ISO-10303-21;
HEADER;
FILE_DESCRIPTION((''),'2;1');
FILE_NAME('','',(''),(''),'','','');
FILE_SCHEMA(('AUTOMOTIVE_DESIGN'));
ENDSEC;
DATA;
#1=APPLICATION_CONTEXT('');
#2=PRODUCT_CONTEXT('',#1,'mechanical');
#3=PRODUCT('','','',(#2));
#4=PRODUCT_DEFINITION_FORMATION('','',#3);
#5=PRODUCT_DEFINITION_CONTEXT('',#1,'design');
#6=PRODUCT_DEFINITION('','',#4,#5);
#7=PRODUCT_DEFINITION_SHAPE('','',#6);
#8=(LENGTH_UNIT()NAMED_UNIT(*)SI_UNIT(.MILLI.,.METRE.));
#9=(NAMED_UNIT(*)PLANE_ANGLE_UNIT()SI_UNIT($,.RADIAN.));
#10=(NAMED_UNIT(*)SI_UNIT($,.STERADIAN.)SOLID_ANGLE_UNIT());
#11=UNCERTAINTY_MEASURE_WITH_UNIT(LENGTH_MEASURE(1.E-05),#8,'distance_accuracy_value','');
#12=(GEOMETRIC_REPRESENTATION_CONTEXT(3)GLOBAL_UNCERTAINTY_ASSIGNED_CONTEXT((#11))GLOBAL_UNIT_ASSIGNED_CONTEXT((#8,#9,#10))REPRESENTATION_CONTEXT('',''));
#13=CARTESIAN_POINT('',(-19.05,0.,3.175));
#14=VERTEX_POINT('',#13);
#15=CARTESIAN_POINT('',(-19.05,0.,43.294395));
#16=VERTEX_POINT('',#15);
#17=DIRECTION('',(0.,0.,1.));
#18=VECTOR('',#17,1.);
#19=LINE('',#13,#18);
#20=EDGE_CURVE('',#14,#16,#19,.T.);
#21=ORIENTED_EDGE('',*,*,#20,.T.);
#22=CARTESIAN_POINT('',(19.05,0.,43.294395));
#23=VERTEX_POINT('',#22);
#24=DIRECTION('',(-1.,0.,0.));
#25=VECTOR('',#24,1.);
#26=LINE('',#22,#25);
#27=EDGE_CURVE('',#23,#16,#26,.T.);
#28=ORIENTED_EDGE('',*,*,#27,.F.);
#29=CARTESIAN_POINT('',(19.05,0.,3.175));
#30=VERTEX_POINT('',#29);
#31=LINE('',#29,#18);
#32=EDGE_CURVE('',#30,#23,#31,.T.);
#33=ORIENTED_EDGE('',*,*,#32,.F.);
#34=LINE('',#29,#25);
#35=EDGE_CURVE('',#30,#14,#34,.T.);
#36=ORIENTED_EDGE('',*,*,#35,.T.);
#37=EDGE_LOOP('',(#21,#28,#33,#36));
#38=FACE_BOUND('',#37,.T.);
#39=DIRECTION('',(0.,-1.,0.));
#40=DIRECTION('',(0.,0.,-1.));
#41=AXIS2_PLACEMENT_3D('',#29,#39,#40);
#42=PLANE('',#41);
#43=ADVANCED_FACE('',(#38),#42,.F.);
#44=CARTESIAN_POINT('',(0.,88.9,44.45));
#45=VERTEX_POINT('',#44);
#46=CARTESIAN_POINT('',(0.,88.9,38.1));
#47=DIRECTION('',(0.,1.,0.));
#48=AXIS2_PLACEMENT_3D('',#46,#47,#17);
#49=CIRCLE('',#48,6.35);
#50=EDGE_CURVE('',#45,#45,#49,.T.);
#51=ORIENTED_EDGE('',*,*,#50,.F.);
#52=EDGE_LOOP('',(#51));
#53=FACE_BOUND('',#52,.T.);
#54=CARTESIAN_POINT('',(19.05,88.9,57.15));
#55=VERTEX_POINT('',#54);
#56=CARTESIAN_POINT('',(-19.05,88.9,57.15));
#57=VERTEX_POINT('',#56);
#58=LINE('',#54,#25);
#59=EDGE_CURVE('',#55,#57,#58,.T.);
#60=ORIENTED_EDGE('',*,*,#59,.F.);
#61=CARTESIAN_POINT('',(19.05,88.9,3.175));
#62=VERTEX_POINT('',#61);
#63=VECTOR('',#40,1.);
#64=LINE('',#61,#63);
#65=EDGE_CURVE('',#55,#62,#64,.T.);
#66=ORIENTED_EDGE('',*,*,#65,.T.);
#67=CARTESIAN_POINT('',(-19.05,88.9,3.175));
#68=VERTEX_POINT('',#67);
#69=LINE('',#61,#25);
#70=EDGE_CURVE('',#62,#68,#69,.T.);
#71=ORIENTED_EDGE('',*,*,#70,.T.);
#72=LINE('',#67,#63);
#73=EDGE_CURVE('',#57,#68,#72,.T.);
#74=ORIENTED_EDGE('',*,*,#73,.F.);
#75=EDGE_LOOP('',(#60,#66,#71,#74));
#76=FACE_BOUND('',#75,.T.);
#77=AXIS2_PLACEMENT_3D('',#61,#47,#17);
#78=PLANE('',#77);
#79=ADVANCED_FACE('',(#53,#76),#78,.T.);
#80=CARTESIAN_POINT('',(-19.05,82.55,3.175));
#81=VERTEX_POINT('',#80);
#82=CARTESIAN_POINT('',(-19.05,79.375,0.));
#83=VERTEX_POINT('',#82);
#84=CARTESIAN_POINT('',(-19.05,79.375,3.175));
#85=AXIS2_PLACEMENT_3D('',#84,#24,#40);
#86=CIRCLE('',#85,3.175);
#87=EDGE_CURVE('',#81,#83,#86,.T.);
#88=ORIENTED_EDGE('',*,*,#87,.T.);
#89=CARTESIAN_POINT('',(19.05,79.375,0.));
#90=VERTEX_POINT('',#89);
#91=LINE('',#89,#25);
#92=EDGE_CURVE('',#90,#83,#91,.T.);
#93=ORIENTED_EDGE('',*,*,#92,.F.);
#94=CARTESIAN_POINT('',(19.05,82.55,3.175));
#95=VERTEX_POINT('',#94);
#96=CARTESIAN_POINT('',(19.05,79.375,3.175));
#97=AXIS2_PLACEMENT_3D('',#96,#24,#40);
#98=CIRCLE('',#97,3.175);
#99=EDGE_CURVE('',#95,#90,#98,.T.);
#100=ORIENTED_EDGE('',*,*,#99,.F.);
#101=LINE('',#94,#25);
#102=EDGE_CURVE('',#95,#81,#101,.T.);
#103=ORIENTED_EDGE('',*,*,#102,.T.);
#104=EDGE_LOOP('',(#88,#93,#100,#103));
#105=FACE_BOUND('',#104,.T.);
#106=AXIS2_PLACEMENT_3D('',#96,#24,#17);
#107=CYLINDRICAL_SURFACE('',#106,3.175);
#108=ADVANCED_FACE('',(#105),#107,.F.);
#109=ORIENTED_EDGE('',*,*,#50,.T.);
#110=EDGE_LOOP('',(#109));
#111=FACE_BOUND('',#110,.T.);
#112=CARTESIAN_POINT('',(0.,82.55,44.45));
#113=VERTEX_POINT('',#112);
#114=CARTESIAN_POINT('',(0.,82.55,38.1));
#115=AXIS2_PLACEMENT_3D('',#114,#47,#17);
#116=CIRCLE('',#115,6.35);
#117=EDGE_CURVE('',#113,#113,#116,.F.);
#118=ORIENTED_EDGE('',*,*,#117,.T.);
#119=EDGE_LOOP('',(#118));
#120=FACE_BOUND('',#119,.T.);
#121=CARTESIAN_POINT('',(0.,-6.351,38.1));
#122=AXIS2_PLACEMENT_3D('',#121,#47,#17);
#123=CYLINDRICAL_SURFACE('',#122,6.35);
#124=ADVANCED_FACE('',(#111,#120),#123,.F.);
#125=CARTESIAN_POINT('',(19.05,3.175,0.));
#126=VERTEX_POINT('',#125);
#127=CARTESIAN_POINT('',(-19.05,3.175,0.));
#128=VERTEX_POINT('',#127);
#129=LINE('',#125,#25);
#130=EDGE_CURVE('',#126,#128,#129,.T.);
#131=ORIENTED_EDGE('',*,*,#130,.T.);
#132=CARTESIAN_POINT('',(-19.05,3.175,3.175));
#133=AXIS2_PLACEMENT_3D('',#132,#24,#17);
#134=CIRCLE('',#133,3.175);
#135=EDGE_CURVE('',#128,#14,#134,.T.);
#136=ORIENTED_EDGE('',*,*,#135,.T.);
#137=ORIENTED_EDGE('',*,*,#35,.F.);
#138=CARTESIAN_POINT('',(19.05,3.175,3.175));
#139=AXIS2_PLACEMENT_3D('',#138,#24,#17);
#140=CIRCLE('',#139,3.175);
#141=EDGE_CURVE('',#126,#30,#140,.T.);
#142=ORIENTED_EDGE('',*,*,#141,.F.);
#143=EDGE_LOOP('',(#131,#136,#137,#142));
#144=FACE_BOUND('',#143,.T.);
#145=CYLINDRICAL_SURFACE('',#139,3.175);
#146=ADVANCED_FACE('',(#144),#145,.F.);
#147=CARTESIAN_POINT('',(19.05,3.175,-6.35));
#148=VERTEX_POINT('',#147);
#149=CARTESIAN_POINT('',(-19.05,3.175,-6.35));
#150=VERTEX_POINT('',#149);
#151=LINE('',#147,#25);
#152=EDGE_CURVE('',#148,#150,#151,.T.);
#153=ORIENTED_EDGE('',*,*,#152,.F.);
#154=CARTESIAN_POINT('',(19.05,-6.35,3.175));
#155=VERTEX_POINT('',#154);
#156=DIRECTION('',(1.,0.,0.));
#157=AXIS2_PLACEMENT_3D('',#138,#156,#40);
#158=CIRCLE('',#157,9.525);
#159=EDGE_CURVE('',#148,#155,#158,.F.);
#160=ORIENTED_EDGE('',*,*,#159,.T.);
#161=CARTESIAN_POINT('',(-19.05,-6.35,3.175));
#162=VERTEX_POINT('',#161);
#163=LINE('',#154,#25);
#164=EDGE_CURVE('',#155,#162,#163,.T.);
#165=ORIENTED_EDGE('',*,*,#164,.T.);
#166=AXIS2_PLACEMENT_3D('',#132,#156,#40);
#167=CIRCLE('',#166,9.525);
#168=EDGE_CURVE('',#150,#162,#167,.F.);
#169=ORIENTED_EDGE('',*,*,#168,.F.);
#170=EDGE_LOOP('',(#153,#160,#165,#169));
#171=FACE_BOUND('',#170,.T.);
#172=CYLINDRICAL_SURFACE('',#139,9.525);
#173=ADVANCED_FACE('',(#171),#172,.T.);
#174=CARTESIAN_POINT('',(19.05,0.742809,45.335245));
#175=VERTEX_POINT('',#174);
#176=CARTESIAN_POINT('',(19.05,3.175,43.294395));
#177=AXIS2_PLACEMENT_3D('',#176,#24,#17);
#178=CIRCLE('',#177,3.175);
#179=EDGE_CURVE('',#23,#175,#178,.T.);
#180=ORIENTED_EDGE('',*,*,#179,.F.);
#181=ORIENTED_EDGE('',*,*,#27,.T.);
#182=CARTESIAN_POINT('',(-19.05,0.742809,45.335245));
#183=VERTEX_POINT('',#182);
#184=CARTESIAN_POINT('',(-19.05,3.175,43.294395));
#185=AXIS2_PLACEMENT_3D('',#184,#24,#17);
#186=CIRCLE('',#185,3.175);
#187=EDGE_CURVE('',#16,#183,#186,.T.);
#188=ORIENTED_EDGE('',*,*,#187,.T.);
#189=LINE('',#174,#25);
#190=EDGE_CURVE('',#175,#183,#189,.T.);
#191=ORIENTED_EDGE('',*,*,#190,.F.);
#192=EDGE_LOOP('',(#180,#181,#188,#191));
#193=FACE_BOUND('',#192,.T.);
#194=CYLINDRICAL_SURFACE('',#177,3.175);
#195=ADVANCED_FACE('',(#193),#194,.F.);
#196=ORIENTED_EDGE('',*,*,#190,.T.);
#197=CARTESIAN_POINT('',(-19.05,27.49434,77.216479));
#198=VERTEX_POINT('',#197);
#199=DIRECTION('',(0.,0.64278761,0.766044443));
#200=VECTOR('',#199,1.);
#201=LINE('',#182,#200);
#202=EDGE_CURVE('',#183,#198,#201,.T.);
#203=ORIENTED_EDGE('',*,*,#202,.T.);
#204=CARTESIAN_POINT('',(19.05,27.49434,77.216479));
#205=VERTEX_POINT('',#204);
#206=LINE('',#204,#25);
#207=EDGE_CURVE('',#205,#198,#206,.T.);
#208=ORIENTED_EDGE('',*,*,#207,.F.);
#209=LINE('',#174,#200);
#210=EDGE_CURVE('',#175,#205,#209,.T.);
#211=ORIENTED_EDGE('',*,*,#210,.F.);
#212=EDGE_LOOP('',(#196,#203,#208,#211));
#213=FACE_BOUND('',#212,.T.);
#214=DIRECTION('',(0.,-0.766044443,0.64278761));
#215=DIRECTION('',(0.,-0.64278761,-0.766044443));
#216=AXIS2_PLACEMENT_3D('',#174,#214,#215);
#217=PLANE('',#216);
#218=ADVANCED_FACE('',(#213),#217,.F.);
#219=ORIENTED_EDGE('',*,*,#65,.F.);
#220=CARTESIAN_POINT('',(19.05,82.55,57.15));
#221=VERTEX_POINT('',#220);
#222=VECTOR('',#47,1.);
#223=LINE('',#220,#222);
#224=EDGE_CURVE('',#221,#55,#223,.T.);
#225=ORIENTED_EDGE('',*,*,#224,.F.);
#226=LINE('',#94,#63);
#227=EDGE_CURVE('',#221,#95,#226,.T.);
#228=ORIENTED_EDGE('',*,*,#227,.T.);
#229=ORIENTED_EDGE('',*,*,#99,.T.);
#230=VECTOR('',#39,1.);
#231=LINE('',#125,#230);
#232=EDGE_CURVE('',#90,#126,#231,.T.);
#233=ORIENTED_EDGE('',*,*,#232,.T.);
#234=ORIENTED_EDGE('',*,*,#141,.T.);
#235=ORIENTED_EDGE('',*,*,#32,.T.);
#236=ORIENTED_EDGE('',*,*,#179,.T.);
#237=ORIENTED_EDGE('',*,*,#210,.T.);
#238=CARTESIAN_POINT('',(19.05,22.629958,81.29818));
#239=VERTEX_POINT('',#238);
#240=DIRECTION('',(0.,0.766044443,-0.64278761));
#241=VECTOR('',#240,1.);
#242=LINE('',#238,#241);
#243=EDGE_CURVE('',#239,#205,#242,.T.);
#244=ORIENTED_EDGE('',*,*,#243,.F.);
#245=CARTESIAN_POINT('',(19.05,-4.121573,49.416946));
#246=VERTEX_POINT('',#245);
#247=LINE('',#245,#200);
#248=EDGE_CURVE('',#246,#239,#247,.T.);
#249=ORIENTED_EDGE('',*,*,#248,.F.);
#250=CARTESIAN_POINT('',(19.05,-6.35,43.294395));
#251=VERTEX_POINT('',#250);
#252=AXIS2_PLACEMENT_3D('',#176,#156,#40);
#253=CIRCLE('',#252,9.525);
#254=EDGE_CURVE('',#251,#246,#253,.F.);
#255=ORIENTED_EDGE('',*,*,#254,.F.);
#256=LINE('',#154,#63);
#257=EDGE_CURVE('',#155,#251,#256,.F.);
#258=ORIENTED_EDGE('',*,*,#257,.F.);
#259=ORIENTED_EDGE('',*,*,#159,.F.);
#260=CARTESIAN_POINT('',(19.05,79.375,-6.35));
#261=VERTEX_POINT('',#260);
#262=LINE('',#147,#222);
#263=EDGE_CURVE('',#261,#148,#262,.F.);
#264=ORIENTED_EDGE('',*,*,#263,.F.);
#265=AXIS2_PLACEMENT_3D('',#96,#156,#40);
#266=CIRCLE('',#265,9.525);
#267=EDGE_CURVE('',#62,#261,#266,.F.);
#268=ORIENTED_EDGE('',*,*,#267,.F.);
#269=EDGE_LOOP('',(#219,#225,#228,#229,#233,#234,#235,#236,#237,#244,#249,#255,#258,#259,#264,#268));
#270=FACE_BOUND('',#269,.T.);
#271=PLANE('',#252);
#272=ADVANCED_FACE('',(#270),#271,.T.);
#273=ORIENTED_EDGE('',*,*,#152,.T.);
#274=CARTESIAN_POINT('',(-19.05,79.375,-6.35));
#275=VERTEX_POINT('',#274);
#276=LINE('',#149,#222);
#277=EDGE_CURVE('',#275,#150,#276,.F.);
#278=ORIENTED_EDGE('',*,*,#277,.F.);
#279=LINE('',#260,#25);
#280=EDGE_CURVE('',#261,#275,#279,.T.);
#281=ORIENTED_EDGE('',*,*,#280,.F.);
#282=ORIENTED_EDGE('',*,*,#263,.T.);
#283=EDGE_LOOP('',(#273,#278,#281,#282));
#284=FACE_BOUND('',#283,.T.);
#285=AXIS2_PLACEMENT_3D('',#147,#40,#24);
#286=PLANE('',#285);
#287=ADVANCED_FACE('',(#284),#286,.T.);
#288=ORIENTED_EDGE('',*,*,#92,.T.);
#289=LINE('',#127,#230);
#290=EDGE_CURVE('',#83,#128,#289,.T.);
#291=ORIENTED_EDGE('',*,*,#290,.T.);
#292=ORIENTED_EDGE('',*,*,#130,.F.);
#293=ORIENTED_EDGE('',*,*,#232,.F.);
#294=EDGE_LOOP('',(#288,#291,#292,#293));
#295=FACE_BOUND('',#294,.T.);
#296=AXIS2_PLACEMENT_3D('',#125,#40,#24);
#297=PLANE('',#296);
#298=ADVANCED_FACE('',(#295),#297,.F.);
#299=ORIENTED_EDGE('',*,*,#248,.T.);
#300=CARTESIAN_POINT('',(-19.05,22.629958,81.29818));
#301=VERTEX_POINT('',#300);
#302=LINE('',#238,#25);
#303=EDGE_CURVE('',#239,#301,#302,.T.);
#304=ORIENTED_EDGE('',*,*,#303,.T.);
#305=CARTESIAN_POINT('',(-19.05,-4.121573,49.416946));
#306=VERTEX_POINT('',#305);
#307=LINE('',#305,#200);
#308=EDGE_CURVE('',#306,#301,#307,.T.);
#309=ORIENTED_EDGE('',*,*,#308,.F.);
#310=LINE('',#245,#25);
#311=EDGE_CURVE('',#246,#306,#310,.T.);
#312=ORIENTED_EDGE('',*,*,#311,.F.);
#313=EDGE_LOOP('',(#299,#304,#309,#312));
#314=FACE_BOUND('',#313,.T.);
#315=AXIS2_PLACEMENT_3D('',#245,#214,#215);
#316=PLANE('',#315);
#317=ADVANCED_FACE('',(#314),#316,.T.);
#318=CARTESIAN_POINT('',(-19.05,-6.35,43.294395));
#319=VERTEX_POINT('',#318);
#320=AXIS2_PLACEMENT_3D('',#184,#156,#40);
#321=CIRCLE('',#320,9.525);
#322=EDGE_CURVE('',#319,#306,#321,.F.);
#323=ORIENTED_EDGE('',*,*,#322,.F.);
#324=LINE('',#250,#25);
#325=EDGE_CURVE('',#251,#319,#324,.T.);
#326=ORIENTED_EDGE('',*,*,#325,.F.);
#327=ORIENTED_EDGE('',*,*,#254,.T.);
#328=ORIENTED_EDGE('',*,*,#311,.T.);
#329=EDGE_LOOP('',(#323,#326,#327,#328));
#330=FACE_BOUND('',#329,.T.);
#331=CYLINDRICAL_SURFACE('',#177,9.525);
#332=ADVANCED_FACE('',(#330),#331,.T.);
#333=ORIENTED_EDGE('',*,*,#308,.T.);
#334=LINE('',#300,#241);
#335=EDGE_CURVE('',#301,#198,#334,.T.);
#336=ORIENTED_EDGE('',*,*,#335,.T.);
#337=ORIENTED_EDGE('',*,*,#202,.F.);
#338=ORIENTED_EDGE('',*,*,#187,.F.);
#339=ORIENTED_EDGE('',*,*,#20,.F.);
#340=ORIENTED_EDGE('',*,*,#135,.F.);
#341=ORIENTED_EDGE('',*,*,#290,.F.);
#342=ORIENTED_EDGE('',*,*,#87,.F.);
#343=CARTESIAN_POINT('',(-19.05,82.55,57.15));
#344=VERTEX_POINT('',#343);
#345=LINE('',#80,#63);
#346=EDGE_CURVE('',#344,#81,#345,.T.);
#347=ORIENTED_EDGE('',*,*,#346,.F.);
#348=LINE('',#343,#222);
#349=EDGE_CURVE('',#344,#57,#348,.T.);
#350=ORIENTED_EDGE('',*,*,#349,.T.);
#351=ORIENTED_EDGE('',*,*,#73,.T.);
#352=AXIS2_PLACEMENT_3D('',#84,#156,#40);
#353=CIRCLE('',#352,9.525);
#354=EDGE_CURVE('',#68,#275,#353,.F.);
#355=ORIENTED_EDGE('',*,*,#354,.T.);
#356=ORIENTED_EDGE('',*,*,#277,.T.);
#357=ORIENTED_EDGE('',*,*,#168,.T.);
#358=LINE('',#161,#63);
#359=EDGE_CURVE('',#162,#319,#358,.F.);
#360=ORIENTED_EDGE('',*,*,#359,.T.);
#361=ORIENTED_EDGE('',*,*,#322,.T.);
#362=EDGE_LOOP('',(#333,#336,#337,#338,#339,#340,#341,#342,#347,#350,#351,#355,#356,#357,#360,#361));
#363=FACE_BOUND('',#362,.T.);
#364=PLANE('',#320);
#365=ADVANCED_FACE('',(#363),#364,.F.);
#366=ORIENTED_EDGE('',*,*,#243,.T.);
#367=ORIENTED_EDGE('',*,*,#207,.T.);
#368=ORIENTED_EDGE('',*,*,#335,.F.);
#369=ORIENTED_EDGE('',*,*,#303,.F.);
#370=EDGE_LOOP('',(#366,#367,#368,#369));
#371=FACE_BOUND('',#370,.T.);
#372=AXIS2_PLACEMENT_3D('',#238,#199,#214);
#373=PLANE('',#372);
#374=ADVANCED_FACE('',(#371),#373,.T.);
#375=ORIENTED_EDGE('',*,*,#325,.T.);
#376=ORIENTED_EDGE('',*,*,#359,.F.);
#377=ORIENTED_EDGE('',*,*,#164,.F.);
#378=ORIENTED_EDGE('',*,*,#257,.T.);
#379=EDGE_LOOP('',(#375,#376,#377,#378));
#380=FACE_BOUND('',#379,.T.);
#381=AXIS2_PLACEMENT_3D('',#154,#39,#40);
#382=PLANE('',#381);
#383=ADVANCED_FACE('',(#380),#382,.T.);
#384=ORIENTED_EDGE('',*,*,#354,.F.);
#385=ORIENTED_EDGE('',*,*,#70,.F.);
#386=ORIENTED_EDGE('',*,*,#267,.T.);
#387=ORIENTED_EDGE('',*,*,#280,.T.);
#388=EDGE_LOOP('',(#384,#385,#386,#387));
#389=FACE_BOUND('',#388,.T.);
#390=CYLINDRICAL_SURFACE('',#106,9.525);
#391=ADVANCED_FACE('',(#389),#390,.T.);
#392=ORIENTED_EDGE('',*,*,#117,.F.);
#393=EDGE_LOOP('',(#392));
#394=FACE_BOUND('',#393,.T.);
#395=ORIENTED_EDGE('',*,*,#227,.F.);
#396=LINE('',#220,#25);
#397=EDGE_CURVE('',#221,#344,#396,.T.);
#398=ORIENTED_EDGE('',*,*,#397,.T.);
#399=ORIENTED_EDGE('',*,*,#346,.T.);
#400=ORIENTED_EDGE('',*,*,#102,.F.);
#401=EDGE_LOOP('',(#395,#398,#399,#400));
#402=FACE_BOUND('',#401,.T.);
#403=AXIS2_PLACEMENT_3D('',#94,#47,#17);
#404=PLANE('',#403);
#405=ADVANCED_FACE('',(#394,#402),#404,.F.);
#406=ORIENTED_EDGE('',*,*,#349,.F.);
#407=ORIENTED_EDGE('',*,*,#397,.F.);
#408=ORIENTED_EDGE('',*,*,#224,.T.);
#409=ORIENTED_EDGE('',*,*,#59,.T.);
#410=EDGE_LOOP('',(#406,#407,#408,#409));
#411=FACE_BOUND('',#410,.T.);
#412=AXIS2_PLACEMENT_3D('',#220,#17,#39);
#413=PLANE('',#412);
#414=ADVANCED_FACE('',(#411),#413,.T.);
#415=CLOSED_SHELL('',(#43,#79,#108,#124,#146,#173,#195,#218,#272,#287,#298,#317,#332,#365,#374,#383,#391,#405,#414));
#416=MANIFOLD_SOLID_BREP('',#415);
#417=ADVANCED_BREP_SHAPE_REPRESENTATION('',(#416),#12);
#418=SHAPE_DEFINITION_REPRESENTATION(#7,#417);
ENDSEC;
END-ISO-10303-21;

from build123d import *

# Parameters (mm, degrees)
EXTRUDE_THIN1_DEPTH = 19.05
CUT_EXTRUDE1_REACH  = 97.25
SKETCH2_R           = 6.35


with BuildPart() as part:
    # Sketch1 → Extrude-Thin1 (new body, symmetric)
    with BuildSketch(Plane(origin=(0, 0, 0), x_dir=(0, 0, -1), z_dir=(1, 0, 0))):
        with BuildLine():
            Line((-77.216478592, 27.494340102), (-45.335245167, 0.742808893))
            ThreePointArc((-45.335245167, 0.742808893), (-44.380308461, 0.191475929), (-43.294394506, 0))
            Line((-43.294394506, 0), (-3.175, 0))
            ThreePointArc((-3.175, 0), (-0.92993597, 0.92993597), (0, 3.175))
            Line((0, 3.175), (0, 79.375))
            ThreePointArc((0, 79.375), (-0.92993597, 81.62006403), (-3.175, 82.55))
            Line((-3.175, 82.55), (-57.15, 82.55))
            Line((-57.15, 82.55), (-57.15, 88.9))
            Line((-57.15, 88.9), (-3.175, 88.9))
            ThreePointArc((-3.175, 88.9), (3.560192091, 86.110192091), (6.35, 79.375))
            Line((6.35, 79.375), (6.35, 3.175))
            ThreePointArc((6.35, 3.175), (3.560192091, -3.560192091), (-3.175, -6.35))
            Line((-3.175, -6.35), (-43.294394506, -6.35))
            ThreePointArc((-43.294394506, -6.35), (-46.552136371, -5.775572213), (-49.416946488, -4.121573321))
            Line((-49.416946488, -4.121573321), (-81.298179914, 22.629957888))
            Line((-81.298179914, 22.629957888), (-77.216478592, 27.494340102))
        make_face()
    extrude(amount=EXTRUDE_THIN1_DEPTH, both=True)

    # Sketch2 → Cut-Extrude1 (cut, up to next)
    with BuildSketch(Plane(origin=(0, 88.9, 0), x_dir=(1, 0, 0), z_dir=(0, 1, 0)), mode=Mode.PRIVATE) as cut_extrude1_sk1:
        with Locations((0, -38.1)):
            Circle(SKETCH2_R)
    cut_extrude1_tool1 = extrude(cut_extrude1_sk1.sketch, amount=-CUT_EXTRUDE1_REACH, mode=Mode.PRIVATE) & part.part
    add(cut_extrude1_tool1.solids().sort_by_distance((0, 88.9, 38.1))[0], mode=Mode.SUBTRACT)


solid = part.part
